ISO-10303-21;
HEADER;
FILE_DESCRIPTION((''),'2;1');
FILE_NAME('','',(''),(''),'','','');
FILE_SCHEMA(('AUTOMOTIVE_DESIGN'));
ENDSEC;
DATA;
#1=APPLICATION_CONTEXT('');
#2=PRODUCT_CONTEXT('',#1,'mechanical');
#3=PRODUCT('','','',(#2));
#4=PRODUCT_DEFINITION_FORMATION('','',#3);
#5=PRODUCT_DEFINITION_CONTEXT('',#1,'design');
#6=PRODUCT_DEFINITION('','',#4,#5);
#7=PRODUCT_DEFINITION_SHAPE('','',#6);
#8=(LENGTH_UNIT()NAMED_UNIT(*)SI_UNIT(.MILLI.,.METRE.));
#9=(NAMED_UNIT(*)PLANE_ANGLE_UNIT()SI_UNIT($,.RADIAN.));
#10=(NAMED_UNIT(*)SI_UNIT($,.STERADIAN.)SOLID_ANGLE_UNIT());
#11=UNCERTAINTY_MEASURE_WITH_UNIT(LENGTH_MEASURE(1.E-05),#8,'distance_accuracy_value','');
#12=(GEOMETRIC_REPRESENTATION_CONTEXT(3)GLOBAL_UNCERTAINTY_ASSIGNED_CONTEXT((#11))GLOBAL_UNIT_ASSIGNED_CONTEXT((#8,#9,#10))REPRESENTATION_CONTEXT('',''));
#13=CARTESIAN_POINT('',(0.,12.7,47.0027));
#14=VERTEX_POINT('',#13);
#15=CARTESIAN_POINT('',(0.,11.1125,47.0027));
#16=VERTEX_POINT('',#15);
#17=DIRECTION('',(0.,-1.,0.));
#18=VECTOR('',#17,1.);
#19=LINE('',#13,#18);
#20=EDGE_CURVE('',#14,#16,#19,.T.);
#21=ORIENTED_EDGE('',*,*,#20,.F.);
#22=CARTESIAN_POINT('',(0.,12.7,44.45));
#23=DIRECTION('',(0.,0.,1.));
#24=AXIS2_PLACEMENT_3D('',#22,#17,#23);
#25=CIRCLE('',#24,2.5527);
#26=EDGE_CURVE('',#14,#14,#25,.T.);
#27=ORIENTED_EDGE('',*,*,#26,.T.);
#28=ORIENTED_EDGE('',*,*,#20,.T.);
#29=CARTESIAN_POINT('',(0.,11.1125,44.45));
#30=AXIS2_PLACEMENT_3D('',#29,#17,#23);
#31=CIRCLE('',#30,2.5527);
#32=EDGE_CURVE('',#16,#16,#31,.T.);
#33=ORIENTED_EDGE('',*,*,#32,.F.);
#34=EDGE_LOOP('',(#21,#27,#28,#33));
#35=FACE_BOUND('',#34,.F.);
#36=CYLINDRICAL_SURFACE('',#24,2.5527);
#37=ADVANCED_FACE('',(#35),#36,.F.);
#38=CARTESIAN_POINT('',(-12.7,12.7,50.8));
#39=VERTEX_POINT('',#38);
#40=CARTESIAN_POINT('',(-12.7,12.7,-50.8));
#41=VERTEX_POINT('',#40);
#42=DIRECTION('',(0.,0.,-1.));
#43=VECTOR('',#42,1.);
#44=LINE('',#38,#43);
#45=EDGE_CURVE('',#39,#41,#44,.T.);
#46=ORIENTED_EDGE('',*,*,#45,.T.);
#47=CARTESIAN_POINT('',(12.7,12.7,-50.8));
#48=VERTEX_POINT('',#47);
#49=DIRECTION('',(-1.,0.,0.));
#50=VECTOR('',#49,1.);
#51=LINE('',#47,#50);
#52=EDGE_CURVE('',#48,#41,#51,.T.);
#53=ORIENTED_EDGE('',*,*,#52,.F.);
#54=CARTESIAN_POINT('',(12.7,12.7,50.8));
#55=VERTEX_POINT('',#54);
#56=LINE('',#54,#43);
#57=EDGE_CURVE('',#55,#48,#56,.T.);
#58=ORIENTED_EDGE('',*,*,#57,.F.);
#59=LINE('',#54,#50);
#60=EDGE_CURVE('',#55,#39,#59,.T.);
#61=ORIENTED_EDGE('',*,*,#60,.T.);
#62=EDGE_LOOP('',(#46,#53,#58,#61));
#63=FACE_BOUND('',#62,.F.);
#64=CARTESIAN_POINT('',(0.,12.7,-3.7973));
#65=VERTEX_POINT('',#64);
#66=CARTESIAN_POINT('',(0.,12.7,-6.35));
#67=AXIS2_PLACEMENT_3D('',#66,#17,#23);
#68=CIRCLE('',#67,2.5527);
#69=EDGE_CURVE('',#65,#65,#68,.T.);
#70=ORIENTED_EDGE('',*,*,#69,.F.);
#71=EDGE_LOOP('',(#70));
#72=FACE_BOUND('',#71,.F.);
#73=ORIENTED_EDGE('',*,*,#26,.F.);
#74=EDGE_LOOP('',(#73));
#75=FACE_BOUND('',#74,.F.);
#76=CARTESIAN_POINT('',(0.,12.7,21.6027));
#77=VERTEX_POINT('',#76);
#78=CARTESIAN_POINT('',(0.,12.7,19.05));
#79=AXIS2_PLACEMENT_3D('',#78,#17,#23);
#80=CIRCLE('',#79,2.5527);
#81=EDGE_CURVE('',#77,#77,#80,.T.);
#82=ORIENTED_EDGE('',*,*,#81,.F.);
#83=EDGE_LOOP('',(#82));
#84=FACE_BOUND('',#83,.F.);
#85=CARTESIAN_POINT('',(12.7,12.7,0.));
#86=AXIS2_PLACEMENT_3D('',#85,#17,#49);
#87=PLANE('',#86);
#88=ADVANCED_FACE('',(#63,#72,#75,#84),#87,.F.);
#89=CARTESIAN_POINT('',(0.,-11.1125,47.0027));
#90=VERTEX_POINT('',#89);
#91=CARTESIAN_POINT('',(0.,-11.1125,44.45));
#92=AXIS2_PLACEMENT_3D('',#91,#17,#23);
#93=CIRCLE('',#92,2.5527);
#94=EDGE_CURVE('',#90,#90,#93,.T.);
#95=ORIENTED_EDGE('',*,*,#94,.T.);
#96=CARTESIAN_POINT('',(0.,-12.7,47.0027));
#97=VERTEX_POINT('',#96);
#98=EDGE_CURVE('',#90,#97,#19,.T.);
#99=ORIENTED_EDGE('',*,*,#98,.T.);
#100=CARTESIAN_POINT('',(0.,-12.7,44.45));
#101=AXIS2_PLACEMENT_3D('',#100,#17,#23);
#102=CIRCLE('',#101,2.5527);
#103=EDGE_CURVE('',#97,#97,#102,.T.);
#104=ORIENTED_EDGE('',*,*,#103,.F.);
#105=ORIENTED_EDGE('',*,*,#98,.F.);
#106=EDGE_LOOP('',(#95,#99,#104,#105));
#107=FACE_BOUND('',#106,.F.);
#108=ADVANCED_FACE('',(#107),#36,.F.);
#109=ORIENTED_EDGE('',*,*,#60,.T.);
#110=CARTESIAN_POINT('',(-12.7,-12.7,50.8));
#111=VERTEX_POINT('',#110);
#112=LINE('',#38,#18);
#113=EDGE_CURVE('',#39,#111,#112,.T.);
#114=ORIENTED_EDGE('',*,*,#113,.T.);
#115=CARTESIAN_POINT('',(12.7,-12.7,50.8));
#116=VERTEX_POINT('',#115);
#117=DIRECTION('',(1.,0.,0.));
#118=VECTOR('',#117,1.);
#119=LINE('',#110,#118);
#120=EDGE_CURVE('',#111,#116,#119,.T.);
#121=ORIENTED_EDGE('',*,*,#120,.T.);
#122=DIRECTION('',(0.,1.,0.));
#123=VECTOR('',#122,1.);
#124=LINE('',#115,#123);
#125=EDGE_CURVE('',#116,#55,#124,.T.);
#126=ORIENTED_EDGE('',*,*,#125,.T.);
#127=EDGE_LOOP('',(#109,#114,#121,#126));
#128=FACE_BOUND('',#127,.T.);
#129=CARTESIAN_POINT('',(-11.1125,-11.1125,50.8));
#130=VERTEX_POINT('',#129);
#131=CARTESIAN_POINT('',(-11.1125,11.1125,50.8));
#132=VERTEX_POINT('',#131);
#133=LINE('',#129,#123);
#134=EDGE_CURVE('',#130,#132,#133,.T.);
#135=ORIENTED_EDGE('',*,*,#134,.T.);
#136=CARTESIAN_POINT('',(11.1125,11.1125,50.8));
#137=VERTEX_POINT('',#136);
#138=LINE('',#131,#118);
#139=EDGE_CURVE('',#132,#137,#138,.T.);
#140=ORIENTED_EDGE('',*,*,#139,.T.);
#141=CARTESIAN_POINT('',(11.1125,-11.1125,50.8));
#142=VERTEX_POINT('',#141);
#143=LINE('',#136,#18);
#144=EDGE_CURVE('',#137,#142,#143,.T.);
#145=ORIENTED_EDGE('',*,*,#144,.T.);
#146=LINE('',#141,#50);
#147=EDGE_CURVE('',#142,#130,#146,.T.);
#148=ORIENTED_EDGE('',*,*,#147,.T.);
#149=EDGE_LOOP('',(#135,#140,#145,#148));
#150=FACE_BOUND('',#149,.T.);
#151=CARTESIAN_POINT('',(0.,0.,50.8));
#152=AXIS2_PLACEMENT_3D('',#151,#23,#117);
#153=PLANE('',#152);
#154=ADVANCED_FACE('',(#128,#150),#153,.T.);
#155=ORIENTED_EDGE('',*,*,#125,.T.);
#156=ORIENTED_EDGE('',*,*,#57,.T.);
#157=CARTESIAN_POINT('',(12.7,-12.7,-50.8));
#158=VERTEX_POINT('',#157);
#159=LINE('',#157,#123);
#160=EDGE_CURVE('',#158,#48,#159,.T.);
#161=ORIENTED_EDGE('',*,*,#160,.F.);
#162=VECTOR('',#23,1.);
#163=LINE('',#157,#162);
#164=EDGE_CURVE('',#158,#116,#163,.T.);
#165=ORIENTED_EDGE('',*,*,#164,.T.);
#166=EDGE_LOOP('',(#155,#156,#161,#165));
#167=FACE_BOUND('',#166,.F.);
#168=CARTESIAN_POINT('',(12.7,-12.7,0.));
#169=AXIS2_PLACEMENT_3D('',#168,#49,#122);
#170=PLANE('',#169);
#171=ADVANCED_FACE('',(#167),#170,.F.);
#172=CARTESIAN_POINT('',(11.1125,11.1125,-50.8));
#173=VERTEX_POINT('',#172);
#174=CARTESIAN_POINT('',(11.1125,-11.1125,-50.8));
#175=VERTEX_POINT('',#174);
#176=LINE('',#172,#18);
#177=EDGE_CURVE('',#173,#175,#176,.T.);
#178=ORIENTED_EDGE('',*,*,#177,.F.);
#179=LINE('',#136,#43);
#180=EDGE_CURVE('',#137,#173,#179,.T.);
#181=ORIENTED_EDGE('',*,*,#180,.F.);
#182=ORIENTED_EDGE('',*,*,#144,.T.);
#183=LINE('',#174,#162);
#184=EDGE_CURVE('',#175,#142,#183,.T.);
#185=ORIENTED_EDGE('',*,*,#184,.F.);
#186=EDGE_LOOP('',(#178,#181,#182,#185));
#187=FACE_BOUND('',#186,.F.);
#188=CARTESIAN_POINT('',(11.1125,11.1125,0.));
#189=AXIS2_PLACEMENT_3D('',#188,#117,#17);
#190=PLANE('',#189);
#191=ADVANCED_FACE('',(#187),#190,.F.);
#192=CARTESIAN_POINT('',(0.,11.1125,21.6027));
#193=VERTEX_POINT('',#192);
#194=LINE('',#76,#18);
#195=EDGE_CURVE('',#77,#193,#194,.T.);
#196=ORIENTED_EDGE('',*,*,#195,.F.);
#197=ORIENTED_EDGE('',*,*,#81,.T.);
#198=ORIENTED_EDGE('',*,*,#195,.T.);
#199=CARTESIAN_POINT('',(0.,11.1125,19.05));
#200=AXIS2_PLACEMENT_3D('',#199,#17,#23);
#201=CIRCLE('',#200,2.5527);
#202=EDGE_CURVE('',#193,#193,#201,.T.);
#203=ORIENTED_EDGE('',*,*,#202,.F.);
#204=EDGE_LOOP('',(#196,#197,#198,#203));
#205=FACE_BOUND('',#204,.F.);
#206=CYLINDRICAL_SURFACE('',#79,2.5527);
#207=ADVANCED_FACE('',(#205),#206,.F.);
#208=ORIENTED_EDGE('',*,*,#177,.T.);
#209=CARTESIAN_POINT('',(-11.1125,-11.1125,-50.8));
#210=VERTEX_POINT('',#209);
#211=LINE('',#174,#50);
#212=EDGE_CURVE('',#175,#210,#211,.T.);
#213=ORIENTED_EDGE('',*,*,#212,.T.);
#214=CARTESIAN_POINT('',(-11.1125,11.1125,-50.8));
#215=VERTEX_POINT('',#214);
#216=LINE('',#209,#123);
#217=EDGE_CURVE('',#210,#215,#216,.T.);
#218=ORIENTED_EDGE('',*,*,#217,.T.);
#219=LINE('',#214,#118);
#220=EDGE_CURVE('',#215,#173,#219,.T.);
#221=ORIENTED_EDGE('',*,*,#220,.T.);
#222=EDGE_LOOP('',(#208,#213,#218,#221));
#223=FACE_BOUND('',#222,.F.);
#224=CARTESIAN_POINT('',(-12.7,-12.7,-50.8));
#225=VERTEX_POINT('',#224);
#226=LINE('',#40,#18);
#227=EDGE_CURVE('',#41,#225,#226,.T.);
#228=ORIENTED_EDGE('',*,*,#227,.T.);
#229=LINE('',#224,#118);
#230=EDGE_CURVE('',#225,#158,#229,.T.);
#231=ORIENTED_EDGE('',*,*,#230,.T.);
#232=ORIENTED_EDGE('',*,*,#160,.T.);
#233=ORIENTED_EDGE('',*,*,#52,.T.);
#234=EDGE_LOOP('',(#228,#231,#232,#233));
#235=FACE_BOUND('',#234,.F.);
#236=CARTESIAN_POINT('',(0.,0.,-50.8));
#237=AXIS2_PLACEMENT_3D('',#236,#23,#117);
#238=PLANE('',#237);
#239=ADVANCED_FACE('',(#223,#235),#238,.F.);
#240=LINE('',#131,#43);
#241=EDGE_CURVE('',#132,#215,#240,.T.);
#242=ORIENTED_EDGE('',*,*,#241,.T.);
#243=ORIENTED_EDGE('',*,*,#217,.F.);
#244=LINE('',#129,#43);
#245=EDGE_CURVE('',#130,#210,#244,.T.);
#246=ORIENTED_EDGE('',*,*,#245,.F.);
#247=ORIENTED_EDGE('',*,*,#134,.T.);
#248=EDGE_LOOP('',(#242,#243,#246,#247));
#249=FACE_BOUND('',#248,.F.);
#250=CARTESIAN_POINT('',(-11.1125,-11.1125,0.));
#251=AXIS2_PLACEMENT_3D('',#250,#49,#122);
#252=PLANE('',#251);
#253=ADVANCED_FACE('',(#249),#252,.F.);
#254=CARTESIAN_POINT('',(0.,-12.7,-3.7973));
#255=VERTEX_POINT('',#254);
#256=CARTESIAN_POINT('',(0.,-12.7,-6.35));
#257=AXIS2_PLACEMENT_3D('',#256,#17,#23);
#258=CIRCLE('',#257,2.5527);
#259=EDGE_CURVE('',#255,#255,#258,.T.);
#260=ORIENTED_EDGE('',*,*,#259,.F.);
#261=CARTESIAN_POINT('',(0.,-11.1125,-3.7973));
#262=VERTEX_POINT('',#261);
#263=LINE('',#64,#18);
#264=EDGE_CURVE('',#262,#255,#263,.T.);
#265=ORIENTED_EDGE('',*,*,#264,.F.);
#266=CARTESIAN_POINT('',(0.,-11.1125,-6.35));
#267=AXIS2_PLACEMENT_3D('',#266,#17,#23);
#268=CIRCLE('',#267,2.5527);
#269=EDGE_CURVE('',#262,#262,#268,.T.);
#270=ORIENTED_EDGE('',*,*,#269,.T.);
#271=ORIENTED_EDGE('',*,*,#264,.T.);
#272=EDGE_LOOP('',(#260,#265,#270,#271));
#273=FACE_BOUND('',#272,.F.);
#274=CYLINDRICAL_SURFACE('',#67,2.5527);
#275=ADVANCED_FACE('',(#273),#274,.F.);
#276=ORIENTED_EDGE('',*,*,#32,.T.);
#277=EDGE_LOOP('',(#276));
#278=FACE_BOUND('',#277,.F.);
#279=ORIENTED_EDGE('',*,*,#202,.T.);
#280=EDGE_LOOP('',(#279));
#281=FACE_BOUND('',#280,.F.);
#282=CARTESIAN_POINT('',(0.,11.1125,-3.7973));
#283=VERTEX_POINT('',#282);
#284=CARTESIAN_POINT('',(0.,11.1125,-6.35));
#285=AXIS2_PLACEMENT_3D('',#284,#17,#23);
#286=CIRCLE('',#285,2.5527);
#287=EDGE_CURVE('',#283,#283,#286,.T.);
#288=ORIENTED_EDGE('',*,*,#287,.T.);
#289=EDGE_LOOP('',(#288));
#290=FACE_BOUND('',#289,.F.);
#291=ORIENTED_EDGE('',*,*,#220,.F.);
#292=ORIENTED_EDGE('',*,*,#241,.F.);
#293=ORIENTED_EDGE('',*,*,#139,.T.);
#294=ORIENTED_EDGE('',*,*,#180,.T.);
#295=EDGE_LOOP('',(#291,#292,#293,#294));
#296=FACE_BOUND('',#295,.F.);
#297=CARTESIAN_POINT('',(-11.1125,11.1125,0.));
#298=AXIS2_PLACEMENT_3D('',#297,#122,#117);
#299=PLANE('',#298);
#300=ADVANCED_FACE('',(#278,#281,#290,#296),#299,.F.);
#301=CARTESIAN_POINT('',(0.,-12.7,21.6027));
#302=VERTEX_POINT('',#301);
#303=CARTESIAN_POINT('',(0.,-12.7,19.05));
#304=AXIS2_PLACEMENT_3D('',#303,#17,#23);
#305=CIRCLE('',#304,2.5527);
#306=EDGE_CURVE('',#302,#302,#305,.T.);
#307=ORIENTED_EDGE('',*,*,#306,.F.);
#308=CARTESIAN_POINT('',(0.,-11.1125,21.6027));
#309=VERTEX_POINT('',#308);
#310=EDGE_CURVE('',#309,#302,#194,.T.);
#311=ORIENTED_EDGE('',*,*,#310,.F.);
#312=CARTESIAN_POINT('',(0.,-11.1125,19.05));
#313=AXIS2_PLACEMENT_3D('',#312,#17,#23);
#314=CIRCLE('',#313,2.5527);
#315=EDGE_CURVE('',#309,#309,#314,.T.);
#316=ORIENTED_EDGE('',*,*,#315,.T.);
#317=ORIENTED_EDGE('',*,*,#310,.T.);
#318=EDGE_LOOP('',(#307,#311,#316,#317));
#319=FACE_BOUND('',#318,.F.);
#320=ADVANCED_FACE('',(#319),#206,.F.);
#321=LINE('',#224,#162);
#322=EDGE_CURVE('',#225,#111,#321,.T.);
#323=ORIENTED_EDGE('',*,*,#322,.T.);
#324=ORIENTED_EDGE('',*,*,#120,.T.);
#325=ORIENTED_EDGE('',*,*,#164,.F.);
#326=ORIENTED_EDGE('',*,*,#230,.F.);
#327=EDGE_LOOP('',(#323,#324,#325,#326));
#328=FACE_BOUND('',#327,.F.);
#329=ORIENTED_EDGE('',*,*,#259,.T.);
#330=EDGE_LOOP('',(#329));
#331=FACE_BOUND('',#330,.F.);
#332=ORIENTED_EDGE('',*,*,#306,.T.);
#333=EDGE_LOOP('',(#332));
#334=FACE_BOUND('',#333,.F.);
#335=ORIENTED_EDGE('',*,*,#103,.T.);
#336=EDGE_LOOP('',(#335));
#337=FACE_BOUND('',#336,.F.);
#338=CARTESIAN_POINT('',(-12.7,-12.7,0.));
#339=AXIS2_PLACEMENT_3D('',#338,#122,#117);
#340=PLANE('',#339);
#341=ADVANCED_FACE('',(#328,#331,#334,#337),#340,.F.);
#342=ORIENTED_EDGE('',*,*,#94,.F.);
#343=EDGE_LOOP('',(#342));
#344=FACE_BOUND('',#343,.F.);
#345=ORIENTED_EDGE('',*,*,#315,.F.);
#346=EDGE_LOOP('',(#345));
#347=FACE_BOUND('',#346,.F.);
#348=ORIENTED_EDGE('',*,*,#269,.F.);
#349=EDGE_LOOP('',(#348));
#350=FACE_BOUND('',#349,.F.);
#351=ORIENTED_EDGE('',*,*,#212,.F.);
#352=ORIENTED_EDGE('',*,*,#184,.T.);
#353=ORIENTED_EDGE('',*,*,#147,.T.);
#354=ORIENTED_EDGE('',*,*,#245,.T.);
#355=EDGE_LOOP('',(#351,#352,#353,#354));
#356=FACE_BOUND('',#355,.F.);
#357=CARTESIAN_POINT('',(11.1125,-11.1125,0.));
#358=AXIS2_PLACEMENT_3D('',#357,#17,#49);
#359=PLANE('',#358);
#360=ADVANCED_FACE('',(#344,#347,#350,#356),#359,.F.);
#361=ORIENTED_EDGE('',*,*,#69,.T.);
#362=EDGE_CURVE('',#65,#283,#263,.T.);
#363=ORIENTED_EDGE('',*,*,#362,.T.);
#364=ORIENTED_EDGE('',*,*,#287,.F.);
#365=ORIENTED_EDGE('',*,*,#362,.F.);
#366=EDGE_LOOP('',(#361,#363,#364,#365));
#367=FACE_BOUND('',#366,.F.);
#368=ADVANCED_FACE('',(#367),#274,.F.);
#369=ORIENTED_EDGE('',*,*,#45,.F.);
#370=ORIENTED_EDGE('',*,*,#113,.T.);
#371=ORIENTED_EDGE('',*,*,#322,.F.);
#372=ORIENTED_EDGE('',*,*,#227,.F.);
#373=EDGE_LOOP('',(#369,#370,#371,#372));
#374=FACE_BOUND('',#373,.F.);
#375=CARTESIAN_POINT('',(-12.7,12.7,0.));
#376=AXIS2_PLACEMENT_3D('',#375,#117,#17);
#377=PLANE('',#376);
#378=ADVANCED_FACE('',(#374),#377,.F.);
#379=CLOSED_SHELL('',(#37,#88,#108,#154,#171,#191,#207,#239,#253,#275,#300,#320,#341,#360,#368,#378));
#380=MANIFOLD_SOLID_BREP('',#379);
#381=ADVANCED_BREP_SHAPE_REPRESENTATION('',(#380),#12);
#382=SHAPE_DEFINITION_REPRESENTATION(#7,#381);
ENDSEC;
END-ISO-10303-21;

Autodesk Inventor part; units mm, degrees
ref_plane "YZ Plane" through (0, 0, 0) normal (1, 0, 0) x (0, 1, 0)
ref_plane "XZ Plane" through (0, 0, 0) normal (0, 1, 0) x (-1, 0, 0)
ref_plane "XY Plane" through (0, 0, 0) normal (0, 0, 1) x (1, 0, 0)
sketch "Sketch1" plane through (0, 0, 0) normal (0, 0, 1) x (1, 0, 0)
  line L0 (-12.7, -12.7) -> (12.7, -12.7)
  line L1 (12.7, -12.7) -> (12.7, 12.7)
  line L2 (12.7, 12.7) -> (-12.7, 12.7)
  line L3 (-12.7, 12.7) -> (-12.7, -12.7)
  line L4 (-12.7, -12.7) -> (12.7, 12.7) construction
  line L5 (12.7, -12.7) -> (-12.7, 12.7) construction
  line L6 (11.1125, -11.1125) -> (-11.1125, -11.1125)
  line L7 (-11.1125, -11.1125) -> (-11.1125, 11.1125)
  line L8 (-11.1125, 11.1125) -> (11.1125, 11.1125)
  line L9 (11.1125, 11.1125) -> (11.1125, -11.1125)
  line L10 (11.1125, -11.1125) -> (-11.1125, 11.1125) construction
  line L11 (-11.1125, -11.1125) -> (11.1125, 11.1125) construction
  point P0 (0, 0)
  dimension "d0" = 25.4
  dimension "d1" = 25.4
  dimension "d3" = 22.225
  dimension "d4" = 22.225
extrude "Extrusion1" add sketch "Sketch1" along normal mid plane 101.6
sketch "Sketch2" plane through (-12.7, 12.7, 50.8) normal (0, 1, 0) x (1, 0, 0)
  line L0 (25.4, 0) -> (0, 0) projected
  point P0 (12.7, 50.8)
  point P1 (12.7, 6.35)
  point P2 (12.7, 31.75)
  point P3 (12.7, 57.15)
  point P4 (12.7, 0)
  point P5 (12.7, 0)
  dimension "d7" = 6.35
  dimension "d8" = 25.4
  dimension "d9" = 25.4
hole "Hole1" at (0, 12.7, 44.45) at (0, 12.7, 19.05) at (0, 12.7, -6.35) direction (0, -1, 0) diameter 5.1054 end through all clearance for "Flat Head Machine Screw (82)" size "#10" standard "Ansi Unified Screw Threads"
properties part number "DB1-012" material "Aluminum 6061"
